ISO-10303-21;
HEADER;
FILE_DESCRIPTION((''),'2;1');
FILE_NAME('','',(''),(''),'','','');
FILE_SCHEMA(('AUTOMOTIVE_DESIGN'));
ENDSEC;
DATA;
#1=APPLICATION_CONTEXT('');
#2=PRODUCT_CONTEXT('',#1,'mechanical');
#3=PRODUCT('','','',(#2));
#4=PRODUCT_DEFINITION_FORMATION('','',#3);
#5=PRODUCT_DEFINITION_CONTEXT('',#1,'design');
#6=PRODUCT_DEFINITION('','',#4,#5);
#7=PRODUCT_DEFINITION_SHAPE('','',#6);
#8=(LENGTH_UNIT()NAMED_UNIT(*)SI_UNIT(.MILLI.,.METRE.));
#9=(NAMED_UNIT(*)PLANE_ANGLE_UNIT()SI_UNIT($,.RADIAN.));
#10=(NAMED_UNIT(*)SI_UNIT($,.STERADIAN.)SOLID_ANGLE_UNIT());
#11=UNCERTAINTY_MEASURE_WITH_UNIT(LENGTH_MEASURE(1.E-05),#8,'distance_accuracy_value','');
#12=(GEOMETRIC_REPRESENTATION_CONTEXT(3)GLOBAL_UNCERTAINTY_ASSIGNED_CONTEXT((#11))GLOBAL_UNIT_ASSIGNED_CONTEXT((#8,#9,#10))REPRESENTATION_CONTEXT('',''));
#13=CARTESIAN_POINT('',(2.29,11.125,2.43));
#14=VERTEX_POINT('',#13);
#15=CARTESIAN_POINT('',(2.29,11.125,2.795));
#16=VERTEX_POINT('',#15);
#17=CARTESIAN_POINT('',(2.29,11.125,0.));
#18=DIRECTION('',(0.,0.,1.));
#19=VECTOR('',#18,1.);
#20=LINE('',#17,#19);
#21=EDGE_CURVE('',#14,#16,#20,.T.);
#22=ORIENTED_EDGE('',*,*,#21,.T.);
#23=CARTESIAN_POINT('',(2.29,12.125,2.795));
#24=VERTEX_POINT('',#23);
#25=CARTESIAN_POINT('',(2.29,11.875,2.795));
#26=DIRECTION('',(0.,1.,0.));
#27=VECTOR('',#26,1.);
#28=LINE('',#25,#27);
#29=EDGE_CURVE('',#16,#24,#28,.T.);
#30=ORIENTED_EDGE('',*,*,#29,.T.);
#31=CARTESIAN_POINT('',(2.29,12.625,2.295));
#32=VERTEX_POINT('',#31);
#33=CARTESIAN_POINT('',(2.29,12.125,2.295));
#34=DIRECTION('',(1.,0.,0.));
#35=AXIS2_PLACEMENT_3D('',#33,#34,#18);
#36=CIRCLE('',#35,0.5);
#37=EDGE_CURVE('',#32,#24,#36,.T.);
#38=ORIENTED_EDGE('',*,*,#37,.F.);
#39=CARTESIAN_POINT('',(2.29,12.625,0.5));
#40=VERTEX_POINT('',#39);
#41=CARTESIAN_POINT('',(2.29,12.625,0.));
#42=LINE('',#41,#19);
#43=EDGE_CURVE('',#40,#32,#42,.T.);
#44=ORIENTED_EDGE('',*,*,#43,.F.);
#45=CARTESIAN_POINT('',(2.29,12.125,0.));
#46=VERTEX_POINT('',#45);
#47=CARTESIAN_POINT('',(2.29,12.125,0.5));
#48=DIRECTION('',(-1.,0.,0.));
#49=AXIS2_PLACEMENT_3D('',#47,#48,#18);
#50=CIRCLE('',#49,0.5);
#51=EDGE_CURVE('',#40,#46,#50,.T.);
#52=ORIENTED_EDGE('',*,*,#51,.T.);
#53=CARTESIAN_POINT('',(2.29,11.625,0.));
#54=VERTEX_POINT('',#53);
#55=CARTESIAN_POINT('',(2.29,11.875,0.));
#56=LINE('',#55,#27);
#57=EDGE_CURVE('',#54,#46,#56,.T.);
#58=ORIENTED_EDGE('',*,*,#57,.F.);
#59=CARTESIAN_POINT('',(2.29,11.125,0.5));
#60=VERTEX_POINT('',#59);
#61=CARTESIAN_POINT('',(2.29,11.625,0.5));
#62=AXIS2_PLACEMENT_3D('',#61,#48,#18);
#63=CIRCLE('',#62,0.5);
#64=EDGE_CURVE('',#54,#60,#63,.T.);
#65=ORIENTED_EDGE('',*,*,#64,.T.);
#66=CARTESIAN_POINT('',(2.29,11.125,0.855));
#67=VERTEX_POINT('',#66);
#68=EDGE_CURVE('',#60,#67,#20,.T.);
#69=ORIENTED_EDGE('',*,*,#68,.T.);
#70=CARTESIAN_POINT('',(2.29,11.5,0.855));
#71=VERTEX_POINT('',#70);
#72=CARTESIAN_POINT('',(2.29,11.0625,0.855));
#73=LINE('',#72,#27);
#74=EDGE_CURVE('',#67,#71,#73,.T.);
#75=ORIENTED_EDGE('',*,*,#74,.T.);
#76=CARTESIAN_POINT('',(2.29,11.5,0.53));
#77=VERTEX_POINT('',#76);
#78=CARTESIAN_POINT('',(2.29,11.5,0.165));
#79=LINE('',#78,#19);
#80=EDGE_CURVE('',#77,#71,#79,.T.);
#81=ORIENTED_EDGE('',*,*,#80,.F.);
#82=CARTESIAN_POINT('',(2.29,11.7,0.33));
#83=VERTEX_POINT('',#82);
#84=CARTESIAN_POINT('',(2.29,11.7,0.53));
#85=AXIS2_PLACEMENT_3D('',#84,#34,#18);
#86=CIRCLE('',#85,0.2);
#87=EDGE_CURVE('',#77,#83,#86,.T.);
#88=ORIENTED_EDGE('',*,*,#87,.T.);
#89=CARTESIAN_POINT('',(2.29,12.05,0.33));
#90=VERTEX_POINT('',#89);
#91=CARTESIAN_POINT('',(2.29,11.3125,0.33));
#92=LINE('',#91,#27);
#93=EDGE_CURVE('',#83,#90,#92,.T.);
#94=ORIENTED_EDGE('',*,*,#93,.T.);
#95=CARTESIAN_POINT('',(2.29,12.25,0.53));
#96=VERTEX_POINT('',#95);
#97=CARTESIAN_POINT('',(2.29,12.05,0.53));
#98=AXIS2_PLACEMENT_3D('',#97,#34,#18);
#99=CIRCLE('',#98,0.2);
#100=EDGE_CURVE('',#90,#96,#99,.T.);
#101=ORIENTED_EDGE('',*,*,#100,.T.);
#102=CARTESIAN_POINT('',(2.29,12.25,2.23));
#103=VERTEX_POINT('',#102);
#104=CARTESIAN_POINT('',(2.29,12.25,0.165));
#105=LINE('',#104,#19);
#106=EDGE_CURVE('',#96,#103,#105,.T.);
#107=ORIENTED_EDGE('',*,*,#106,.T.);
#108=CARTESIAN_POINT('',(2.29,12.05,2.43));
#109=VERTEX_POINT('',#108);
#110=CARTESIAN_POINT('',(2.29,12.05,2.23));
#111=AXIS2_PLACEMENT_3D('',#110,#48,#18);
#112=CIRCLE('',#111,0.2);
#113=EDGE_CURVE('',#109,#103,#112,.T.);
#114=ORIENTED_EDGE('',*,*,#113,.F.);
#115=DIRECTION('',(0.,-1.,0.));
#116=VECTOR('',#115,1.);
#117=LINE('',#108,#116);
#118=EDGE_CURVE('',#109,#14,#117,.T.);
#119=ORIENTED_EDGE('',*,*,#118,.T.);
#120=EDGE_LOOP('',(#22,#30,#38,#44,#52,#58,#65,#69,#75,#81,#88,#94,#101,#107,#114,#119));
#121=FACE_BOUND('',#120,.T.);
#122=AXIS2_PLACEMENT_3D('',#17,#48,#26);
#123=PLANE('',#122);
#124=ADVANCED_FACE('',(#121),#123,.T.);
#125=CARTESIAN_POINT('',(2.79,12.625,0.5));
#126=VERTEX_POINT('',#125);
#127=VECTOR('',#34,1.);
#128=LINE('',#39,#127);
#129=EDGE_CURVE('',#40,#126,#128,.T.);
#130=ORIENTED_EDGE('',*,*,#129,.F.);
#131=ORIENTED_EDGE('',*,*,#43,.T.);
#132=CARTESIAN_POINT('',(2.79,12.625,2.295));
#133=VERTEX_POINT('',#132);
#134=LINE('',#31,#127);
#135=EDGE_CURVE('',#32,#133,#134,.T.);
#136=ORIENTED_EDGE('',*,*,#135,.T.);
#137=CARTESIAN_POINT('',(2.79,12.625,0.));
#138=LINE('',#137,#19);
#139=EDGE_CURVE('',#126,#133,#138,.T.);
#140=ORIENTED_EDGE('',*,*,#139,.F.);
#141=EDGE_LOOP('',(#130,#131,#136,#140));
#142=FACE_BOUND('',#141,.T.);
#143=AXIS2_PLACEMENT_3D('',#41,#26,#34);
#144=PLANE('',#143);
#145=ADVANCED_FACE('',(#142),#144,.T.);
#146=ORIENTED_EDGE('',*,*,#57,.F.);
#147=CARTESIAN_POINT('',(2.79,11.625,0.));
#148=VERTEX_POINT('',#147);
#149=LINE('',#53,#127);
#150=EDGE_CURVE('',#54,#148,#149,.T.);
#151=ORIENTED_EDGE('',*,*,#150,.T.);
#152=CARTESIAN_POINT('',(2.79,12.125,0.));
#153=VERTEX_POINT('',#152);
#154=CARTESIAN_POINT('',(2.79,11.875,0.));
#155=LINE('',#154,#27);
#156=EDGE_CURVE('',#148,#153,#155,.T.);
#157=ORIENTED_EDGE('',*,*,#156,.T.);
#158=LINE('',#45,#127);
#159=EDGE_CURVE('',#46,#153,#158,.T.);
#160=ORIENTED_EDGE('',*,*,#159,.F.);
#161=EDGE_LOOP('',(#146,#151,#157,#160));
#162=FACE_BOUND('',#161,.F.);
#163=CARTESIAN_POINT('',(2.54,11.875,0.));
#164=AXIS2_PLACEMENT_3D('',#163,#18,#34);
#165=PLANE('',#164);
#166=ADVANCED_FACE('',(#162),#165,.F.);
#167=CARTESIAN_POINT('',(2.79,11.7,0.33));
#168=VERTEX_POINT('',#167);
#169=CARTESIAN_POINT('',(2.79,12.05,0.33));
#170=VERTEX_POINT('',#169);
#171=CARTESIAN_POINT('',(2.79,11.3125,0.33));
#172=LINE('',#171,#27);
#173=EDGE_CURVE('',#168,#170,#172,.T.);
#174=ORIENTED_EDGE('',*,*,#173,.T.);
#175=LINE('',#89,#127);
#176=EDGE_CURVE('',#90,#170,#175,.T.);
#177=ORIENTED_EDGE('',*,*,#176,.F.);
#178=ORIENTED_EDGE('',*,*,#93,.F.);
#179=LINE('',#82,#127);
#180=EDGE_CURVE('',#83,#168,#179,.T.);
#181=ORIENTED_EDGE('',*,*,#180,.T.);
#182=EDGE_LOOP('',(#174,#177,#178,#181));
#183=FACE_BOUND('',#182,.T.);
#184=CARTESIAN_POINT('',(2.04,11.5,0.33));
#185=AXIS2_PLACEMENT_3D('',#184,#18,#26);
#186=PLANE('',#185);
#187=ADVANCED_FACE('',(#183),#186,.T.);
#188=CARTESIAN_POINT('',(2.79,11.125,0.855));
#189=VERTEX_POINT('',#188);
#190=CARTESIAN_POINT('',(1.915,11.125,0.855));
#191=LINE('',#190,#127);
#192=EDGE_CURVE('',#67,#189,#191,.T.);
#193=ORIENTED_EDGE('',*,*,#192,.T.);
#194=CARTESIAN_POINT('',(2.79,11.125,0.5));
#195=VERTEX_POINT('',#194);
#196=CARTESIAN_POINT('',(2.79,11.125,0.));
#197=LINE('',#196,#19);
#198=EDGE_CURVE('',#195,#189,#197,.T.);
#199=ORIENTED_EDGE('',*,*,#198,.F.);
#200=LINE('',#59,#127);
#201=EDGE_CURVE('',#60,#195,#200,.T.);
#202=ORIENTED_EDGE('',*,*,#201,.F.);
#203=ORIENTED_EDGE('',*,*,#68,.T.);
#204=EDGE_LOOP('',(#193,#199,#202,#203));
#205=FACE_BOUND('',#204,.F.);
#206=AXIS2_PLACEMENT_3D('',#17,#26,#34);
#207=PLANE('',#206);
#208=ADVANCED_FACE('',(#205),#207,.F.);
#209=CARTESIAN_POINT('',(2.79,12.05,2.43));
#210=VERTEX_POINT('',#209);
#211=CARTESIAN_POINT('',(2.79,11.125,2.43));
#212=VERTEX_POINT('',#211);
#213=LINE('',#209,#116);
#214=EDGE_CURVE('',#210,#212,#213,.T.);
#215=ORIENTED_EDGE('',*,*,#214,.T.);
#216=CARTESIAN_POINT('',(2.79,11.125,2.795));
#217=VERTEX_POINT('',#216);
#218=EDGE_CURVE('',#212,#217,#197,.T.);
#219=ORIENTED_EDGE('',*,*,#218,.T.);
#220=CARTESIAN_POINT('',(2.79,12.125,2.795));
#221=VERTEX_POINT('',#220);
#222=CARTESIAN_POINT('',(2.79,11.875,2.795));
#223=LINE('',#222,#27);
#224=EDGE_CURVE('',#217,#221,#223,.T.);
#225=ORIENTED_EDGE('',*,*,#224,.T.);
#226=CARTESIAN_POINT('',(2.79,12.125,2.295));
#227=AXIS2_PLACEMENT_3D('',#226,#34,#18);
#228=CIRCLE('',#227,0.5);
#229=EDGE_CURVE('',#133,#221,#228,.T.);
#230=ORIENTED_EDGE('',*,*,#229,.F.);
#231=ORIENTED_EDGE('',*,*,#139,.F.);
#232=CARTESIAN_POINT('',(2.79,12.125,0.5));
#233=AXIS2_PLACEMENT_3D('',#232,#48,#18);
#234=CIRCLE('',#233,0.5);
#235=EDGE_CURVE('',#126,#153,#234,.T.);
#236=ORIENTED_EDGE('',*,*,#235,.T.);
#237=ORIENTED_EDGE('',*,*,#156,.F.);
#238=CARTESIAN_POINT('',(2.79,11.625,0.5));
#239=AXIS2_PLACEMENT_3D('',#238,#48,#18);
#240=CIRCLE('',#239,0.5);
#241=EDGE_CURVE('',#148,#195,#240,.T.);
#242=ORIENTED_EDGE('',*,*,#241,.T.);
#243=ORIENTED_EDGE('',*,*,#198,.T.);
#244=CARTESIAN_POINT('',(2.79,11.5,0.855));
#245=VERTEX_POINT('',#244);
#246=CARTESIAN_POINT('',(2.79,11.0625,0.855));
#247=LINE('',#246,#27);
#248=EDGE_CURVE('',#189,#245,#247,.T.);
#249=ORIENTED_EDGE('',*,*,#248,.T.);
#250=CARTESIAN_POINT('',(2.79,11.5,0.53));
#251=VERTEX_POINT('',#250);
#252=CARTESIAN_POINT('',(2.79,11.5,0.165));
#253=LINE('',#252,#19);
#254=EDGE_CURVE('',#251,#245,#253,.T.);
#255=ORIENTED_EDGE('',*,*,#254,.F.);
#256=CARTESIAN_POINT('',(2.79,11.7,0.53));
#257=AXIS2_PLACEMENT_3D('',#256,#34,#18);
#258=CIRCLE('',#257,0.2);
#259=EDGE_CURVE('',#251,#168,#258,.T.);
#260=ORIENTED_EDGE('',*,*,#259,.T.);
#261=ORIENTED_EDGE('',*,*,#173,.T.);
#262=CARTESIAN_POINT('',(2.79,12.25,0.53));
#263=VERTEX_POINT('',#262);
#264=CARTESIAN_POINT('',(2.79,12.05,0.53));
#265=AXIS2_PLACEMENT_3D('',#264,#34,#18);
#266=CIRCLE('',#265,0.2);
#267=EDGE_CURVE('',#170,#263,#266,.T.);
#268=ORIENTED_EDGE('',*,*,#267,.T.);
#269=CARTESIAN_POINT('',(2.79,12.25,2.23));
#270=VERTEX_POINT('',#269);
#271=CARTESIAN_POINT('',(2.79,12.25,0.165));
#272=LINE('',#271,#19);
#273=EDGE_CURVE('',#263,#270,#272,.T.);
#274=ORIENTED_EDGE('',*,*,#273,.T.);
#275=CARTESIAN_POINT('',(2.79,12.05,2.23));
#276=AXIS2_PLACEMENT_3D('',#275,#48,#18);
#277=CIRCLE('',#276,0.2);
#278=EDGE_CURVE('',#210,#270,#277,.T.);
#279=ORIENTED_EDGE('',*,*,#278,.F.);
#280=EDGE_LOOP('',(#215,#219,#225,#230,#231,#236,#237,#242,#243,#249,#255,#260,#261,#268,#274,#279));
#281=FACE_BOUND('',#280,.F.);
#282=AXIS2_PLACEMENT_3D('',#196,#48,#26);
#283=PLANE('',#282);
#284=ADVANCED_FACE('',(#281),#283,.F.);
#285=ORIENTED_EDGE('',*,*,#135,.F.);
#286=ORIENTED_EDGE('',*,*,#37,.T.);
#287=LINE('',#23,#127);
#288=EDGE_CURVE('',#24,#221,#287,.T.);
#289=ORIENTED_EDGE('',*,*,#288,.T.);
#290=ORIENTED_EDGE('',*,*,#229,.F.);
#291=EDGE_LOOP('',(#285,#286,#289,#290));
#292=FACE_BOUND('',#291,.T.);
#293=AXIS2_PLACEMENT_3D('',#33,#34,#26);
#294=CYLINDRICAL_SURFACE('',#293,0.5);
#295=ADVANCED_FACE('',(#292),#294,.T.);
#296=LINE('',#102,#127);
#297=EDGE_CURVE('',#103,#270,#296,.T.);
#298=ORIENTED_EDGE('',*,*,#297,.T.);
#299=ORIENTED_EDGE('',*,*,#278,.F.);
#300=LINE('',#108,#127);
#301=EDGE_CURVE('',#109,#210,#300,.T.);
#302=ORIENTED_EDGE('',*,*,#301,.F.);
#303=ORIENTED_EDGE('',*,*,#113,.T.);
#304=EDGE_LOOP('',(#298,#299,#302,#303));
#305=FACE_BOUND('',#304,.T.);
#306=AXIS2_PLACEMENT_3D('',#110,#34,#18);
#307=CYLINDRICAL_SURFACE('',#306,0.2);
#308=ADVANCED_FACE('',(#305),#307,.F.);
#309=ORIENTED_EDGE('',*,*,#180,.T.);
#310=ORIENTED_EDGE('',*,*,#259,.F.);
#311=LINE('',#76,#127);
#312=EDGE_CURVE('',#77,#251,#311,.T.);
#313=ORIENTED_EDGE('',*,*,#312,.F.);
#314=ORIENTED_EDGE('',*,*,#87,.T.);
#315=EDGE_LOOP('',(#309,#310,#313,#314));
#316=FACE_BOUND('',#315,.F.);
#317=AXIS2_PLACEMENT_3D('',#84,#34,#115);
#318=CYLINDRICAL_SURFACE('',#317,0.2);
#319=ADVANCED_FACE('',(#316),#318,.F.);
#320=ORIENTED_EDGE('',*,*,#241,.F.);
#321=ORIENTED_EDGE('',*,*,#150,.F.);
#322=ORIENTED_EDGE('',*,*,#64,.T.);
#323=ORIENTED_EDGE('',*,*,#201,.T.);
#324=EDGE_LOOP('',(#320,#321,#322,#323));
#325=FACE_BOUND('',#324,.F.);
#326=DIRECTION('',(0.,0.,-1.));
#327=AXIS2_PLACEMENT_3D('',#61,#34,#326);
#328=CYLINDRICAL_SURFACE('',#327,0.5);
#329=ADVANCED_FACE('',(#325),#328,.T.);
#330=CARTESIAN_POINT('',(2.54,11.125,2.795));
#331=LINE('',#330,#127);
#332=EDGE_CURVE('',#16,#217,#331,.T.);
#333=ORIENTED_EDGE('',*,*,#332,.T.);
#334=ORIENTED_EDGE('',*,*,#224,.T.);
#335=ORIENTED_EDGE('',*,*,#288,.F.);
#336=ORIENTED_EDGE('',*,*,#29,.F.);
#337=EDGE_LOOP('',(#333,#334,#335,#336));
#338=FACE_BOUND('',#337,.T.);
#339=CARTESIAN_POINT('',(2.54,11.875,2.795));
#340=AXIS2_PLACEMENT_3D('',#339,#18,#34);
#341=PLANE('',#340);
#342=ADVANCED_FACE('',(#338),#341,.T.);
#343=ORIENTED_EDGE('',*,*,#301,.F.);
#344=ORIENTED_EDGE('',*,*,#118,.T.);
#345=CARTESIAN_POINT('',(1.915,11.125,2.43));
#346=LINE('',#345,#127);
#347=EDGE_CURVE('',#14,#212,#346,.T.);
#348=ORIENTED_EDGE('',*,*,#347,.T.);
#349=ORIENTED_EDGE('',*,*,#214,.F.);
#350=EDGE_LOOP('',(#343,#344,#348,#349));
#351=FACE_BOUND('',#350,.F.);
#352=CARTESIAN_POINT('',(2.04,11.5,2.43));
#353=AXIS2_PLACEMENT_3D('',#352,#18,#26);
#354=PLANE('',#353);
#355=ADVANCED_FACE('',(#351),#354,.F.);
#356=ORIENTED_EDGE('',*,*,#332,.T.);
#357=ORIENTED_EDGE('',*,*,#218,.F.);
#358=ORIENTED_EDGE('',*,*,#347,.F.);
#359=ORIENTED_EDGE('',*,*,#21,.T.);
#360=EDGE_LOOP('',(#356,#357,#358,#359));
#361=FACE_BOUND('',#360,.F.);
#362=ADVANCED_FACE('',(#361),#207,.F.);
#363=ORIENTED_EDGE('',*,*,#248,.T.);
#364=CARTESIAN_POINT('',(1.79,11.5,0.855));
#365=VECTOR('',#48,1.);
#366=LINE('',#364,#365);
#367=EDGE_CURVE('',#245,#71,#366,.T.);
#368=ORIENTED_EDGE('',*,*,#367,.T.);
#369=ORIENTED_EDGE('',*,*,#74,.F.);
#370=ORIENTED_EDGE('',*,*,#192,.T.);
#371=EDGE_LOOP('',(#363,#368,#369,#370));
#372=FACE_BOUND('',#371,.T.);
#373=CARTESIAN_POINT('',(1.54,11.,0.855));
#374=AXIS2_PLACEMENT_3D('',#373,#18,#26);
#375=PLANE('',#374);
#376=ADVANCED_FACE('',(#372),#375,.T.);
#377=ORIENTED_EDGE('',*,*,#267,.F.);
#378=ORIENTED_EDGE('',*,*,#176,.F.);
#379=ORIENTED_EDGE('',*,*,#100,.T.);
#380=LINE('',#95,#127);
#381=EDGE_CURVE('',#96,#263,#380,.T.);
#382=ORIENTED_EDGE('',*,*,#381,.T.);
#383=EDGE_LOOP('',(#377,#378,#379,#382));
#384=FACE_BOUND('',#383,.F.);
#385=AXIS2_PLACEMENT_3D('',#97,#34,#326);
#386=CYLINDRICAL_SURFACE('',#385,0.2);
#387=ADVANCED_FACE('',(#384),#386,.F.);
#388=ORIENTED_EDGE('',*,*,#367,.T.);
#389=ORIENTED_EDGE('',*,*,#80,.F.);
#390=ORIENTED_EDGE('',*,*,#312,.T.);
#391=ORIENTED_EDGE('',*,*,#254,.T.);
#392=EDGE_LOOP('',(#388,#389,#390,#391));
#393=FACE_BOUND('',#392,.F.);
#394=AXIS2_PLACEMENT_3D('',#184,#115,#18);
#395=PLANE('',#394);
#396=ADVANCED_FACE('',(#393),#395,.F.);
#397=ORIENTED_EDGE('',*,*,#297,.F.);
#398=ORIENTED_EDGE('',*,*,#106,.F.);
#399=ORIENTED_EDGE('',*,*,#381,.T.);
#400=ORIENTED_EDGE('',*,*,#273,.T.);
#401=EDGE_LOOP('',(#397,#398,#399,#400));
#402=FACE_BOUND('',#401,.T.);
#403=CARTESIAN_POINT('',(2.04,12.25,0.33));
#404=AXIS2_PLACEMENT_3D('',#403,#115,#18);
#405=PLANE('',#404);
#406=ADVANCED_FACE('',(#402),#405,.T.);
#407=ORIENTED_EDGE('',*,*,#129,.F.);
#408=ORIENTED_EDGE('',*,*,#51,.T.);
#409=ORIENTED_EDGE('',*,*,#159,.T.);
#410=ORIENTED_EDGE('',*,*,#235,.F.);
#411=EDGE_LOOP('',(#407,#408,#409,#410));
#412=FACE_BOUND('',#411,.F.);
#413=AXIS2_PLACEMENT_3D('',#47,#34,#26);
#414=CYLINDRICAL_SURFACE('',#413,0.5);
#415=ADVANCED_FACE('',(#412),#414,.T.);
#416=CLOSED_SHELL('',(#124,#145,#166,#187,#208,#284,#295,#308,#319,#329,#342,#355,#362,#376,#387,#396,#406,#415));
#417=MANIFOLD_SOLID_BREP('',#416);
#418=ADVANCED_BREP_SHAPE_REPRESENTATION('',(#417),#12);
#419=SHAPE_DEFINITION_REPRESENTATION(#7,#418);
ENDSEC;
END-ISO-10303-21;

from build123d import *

# Parameters (mm, degrees)
BOX155_W     = 0.5
BOX155_H     = 1.5
BOX155_DEPTH = 2.795
FILLET430_R  = 0.5
FILLET417_R  = 0.5
FILLET413_R  = 0.5
BOX163_W     = 0.75
BOX163_H     = 2.1
BOX163_DEPTH = 1
FILLET427_R  = 0.2
FILLET425_R  = 0.2
FILLET422_R  = 0.2
FILLET416_R  = 0.2
BOX161_W     = 1
BOX161_H     = 1.575
BOX161_DEPTH = 3


with BuildPart() as part:
    # Box155 → Box155 (join)
    with BuildSketch(Plane(origin=(-0.25, 11.125, 0), x_dir=(1, 0, 0), z_dir=(0, 0, 1))):
        with Locations((0.25, 0.75)):
            Rectangle(BOX155_W, BOX155_H)
    extrude(amount=BOX155_DEPTH)

    # Fillet430
    fillet430_edges = [part.edges().sort_by_distance(p)[0] for p in [
        (0, 12.625, 0),
    ]]
    fillet(fillet430_edges, radius=FILLET430_R)

    # Fillet417
    fillet417_edges = [part.edges().sort_by_distance(p)[0] for p in [
        (0, 12.625, 2.795),
    ]]
    fillet(fillet417_edges, radius=FILLET417_R)

    # Fillet413
    fillet413_edges = [part.edges().sort_by_distance(p)[0] for p in [
        (0, 11.125, 0),
    ]]
    fillet(fillet413_edges, radius=FILLET413_R)

    # Box163 → Box163 (cut)
    with BuildSketch(Plane(origin=(-0.5, 11.5, 0.33), x_dir=(0, 1, 0), z_dir=(1, 0, 0))):
        with Locations((0.375, 1.05)):
            Rectangle(BOX163_W, BOX163_H)
    extrude(amount=BOX163_DEPTH, mode=Mode.SUBTRACT)

    # Fillet427
    fillet427_edges = [part.edges().sort_by_distance(p)[0] for p in [
        (0, 11.5, 0.33),
    ]]
    fillet(fillet427_edges, radius=FILLET427_R)

    # Fillet425
    fillet425_edges = [part.edges().sort_by_distance(p)[0] for p in [
        (0, 12.25, 0.33),
    ]]
    fillet(fillet425_edges, radius=FILLET425_R)

    # Fillet422
    fillet422_edges = [part.edges().sort_by_distance(p)[0] for p in [
        (0, 11.5, 2.43),
    ]]
    fillet(fillet422_edges, radius=FILLET422_R)

    # Fillet416
    fillet416_edges = [part.edges().sort_by_distance(p)[0] for p in [
        (0, 12.25, 2.43),
    ]]
    fillet(fillet416_edges, radius=FILLET416_R)

    # Box161 → Box161 (cut)
    with BuildSketch(Plane(origin=(-1, 11, 0.855), x_dir=(0, 1, 0), z_dir=(1, 0, 0))):
        with Locations((0.5, 0.7875)):
            Rectangle(BOX161_W, BOX161_H)
    extrude(amount=BOX161_DEPTH, mode=Mode.SUBTRACT)


with BuildPart() as part_1:
    # Body058 placement: moved
    add(part.part.moved(Location((2.54, 0, 0))))


solid = part_1.part
